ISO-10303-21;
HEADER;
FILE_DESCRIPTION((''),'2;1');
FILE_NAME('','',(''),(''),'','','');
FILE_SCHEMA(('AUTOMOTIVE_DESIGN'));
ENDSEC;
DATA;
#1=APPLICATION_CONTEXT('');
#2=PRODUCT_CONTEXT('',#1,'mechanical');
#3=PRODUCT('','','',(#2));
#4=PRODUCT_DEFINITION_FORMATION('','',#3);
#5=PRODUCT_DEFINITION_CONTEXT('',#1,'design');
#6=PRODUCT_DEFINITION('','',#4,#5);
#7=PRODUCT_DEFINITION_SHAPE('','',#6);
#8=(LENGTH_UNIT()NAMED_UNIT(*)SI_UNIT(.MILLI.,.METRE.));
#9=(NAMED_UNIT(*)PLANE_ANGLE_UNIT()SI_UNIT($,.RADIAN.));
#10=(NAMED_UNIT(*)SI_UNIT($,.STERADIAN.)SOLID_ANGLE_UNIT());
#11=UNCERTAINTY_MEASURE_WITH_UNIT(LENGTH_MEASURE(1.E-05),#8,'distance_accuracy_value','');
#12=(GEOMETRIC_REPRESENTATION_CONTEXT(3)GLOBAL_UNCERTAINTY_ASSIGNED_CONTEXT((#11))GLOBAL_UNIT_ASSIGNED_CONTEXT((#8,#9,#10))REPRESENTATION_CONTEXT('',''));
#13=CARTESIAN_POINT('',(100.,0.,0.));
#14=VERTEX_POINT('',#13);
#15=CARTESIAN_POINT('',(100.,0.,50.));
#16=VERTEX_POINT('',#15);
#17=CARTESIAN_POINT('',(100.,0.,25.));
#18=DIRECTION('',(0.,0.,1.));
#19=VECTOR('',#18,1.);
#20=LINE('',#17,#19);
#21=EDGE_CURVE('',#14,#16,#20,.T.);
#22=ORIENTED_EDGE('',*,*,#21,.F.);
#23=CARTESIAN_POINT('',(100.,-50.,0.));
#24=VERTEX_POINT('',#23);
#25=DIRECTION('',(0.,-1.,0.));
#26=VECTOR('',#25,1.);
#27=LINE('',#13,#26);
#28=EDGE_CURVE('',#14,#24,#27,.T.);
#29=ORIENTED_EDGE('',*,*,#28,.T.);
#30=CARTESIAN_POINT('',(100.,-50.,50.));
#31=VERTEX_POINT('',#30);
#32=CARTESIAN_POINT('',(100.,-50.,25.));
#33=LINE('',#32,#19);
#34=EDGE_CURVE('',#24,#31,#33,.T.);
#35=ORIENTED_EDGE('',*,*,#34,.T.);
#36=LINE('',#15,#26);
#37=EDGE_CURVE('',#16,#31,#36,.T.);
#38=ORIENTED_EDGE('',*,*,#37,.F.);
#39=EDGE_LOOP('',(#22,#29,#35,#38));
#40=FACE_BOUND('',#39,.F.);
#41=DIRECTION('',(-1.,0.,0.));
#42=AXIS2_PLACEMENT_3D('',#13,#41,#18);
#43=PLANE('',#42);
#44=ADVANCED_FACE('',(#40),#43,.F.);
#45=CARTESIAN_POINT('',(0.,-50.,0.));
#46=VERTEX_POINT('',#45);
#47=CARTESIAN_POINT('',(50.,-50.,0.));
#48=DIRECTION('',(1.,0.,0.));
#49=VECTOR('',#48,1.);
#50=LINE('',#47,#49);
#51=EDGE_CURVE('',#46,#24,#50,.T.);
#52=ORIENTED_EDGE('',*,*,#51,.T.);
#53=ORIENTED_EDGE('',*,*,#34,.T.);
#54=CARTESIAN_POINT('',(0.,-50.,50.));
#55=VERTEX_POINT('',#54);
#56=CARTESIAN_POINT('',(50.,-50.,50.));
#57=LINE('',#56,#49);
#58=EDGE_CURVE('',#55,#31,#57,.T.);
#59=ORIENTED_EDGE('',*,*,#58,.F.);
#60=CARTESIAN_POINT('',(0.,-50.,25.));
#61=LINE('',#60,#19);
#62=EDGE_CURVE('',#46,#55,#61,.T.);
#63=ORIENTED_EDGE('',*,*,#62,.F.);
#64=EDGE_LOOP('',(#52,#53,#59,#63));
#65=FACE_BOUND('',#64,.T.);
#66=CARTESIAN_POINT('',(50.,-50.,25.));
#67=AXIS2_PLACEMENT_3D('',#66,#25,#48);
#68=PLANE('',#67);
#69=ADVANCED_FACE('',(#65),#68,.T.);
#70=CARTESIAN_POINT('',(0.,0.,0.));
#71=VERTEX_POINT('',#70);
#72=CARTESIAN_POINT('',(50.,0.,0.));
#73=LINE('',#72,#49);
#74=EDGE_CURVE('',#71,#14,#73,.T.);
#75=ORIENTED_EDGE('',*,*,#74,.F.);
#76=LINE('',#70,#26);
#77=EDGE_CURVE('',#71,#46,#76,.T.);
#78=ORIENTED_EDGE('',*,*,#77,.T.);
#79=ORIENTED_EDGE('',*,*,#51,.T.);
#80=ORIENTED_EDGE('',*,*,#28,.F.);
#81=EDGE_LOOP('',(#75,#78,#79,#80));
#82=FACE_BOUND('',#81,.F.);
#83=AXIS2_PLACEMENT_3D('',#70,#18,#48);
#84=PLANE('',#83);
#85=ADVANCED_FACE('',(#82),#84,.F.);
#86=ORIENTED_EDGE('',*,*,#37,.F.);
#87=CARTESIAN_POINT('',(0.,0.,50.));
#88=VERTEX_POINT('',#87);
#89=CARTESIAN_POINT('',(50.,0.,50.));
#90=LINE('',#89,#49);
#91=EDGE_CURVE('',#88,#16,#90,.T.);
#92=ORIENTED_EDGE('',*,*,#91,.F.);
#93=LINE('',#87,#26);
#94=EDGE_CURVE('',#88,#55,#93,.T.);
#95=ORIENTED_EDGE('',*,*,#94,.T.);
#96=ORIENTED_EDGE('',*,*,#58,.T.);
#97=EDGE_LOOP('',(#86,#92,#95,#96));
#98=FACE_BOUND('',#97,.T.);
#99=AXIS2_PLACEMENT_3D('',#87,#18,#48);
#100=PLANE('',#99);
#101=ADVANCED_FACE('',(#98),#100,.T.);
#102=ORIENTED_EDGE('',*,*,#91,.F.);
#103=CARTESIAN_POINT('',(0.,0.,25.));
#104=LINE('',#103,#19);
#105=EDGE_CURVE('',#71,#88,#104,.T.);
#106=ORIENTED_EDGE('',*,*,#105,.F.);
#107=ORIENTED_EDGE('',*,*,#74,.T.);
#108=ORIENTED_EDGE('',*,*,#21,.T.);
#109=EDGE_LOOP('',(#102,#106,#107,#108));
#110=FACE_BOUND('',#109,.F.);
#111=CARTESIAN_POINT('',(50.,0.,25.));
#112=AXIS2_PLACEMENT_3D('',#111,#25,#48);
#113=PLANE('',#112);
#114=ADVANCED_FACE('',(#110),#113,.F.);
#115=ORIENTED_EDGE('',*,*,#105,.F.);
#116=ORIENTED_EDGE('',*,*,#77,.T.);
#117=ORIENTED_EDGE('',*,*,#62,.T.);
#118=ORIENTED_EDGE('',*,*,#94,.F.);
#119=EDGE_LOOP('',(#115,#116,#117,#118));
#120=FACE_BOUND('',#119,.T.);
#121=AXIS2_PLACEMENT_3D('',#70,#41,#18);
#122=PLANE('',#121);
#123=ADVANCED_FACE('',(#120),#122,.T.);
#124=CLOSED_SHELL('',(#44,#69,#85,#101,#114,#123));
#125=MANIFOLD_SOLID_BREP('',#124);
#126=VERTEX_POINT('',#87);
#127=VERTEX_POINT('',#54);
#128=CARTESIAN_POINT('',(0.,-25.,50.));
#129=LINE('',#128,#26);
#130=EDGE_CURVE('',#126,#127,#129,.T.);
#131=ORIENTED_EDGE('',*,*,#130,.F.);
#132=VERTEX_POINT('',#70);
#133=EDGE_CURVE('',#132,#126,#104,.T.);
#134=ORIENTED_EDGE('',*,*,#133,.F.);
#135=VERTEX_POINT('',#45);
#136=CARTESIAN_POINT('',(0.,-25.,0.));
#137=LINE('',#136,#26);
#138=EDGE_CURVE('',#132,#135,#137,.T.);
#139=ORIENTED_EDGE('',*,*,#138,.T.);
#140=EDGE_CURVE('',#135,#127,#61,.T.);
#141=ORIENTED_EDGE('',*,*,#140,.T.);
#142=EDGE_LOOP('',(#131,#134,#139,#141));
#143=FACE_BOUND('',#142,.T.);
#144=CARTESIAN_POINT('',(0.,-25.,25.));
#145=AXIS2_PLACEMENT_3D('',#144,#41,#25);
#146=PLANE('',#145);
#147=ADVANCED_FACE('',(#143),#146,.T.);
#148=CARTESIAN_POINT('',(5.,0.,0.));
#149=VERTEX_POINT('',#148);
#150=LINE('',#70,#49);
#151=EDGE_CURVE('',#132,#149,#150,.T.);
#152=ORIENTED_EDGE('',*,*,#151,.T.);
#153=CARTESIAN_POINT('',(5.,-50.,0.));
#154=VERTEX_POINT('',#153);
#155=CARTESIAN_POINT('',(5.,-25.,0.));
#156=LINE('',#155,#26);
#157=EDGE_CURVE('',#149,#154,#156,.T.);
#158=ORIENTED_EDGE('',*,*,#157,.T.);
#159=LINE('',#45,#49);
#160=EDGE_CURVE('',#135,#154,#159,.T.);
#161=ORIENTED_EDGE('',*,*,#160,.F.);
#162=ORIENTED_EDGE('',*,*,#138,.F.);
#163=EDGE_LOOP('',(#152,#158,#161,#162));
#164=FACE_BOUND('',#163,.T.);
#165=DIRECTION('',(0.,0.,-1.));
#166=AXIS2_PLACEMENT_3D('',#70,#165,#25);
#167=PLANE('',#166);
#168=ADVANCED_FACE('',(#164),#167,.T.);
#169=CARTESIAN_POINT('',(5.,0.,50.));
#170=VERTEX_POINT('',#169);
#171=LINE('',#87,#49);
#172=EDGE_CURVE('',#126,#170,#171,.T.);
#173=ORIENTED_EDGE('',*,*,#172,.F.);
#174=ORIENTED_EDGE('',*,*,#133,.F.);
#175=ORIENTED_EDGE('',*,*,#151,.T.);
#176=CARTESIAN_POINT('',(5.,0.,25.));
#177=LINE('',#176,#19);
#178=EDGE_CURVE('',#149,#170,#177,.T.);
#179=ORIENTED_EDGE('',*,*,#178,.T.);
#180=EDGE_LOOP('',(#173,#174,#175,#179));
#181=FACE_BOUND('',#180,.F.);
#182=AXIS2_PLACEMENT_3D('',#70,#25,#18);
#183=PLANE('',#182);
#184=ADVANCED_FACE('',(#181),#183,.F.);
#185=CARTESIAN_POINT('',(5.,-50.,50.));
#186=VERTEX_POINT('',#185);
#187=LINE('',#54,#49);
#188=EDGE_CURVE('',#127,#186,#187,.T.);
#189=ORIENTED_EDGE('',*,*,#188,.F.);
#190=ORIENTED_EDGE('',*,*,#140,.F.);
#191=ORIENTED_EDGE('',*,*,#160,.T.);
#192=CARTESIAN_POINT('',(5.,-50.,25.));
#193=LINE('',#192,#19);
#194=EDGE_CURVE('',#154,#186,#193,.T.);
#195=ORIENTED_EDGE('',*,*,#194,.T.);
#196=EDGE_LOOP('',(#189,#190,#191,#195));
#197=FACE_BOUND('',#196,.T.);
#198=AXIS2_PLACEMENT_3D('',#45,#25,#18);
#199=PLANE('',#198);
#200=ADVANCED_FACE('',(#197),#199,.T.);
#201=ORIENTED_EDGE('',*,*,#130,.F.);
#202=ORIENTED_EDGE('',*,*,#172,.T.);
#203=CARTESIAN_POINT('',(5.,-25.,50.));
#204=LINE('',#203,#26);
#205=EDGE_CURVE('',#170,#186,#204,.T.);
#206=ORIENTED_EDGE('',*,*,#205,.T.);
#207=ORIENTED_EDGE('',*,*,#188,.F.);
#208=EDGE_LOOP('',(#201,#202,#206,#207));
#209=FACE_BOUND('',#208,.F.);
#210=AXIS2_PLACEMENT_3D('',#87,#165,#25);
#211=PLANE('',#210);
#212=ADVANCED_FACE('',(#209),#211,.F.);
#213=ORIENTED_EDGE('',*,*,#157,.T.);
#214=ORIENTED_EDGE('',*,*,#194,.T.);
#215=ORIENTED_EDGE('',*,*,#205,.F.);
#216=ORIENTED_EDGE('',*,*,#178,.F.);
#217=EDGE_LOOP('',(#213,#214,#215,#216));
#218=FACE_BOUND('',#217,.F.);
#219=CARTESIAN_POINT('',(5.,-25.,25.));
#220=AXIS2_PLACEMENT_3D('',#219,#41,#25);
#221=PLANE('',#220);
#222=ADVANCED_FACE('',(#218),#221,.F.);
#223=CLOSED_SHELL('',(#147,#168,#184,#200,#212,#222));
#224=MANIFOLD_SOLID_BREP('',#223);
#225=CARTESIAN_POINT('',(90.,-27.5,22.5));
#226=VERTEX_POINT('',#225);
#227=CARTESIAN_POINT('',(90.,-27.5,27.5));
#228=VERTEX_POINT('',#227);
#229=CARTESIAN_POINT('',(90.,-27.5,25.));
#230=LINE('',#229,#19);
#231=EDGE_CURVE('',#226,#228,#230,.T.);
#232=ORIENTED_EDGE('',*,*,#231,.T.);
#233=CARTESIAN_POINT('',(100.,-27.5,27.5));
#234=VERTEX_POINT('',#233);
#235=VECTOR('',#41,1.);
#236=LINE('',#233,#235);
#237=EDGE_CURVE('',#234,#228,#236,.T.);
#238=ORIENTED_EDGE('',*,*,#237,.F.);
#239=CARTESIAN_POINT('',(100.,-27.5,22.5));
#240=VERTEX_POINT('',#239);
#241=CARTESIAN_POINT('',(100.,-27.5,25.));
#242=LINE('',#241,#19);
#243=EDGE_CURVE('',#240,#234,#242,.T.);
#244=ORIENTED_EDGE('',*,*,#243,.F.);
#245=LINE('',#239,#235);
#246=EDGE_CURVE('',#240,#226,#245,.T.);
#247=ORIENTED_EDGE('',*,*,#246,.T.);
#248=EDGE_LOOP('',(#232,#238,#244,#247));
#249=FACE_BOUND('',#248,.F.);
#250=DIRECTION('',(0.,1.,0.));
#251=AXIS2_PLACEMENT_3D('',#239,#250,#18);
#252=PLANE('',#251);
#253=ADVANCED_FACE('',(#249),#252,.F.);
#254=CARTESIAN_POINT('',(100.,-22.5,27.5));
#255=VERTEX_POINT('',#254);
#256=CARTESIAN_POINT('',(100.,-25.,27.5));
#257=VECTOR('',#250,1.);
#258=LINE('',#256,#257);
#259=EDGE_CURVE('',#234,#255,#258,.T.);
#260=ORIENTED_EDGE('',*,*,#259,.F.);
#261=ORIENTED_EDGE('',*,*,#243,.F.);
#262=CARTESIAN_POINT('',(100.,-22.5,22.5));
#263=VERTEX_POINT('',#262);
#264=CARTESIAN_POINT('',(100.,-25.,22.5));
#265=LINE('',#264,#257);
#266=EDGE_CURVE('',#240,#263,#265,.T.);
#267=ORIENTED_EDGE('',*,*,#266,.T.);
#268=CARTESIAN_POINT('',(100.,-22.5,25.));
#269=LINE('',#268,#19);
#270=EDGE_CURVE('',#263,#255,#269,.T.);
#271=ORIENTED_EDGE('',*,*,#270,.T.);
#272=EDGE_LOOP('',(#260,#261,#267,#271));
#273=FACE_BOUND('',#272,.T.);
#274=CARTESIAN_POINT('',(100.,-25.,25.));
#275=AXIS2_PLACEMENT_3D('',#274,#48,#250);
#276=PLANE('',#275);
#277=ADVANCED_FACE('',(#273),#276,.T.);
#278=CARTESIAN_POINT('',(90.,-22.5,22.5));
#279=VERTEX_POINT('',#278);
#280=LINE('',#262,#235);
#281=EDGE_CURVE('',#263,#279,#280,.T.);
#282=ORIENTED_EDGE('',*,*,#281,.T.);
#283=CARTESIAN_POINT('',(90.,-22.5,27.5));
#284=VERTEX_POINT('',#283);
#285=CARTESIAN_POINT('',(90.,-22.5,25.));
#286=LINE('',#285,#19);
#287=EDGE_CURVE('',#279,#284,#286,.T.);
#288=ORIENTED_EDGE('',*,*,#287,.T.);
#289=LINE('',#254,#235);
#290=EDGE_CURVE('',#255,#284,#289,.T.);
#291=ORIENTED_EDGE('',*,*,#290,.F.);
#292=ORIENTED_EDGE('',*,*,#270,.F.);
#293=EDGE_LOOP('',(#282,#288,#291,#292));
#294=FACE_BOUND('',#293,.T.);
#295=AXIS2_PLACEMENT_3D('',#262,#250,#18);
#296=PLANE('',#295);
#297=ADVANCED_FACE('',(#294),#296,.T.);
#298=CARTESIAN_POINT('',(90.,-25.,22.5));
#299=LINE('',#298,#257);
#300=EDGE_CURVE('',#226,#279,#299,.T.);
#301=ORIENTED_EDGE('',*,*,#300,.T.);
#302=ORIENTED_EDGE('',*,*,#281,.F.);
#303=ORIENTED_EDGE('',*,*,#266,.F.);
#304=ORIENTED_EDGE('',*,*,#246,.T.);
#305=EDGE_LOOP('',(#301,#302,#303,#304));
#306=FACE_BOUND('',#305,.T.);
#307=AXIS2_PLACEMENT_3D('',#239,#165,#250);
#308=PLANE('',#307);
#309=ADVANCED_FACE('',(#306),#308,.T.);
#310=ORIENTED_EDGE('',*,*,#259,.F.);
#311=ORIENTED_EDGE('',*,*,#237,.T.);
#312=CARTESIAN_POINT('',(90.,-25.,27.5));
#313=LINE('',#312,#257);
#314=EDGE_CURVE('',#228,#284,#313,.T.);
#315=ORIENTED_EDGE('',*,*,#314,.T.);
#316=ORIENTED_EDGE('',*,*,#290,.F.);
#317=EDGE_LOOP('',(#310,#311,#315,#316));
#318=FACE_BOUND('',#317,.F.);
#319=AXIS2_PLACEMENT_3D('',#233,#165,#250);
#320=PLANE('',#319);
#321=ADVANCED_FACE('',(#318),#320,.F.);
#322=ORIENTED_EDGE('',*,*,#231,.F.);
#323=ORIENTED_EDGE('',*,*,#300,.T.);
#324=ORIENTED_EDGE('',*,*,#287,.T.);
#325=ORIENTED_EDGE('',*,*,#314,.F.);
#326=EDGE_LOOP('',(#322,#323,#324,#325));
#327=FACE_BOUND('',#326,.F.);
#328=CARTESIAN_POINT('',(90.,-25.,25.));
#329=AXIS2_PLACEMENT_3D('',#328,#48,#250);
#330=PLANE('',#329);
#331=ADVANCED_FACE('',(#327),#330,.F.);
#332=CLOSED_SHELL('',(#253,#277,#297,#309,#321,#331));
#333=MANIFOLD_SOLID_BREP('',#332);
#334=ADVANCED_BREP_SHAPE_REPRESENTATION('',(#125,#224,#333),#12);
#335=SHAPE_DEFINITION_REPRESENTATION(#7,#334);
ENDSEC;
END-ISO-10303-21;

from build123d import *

# Parameters (mm, degrees)
F0_W      = 100
F0_H      = 50
F1_DEPTH  = 50
F1_FACE_W = 50
F1_FACE_H = 50
F3_DEPTH  = 5
F4_W      = 5
F4_H      = 5
F5_DEPTH  = 10


with BuildPart() as f1:
    # F0 (on Front) → F1 (new body)
    with BuildSketch(Plane.XZ):
        with Locations((50, 25)):
            Rectangle(F0_W, F0_H)
    extrude(amount=F1_DEPTH)


with BuildPart() as f3:
    # F1_face (on face) → F3 (new body)
    with BuildSketch(Plane(origin=(0, -25, 25), x_dir=(0, -1, 0), z_dir=(-1, 0, 0))):
        Rectangle(F1_FACE_W, F1_FACE_H)
    extrude(amount=-F3_DEPTH)


with BuildPart() as f5:
    # F4 (on face) → F5 (new body)
    with BuildSketch(Plane.YZ.offset(100)):
        with Locations((-25, 25)):
            Rectangle(F4_W, F4_H)
    extrude(amount=-F5_DEPTH)


solid = Compound([f1.part, f3.part, f5.part])
